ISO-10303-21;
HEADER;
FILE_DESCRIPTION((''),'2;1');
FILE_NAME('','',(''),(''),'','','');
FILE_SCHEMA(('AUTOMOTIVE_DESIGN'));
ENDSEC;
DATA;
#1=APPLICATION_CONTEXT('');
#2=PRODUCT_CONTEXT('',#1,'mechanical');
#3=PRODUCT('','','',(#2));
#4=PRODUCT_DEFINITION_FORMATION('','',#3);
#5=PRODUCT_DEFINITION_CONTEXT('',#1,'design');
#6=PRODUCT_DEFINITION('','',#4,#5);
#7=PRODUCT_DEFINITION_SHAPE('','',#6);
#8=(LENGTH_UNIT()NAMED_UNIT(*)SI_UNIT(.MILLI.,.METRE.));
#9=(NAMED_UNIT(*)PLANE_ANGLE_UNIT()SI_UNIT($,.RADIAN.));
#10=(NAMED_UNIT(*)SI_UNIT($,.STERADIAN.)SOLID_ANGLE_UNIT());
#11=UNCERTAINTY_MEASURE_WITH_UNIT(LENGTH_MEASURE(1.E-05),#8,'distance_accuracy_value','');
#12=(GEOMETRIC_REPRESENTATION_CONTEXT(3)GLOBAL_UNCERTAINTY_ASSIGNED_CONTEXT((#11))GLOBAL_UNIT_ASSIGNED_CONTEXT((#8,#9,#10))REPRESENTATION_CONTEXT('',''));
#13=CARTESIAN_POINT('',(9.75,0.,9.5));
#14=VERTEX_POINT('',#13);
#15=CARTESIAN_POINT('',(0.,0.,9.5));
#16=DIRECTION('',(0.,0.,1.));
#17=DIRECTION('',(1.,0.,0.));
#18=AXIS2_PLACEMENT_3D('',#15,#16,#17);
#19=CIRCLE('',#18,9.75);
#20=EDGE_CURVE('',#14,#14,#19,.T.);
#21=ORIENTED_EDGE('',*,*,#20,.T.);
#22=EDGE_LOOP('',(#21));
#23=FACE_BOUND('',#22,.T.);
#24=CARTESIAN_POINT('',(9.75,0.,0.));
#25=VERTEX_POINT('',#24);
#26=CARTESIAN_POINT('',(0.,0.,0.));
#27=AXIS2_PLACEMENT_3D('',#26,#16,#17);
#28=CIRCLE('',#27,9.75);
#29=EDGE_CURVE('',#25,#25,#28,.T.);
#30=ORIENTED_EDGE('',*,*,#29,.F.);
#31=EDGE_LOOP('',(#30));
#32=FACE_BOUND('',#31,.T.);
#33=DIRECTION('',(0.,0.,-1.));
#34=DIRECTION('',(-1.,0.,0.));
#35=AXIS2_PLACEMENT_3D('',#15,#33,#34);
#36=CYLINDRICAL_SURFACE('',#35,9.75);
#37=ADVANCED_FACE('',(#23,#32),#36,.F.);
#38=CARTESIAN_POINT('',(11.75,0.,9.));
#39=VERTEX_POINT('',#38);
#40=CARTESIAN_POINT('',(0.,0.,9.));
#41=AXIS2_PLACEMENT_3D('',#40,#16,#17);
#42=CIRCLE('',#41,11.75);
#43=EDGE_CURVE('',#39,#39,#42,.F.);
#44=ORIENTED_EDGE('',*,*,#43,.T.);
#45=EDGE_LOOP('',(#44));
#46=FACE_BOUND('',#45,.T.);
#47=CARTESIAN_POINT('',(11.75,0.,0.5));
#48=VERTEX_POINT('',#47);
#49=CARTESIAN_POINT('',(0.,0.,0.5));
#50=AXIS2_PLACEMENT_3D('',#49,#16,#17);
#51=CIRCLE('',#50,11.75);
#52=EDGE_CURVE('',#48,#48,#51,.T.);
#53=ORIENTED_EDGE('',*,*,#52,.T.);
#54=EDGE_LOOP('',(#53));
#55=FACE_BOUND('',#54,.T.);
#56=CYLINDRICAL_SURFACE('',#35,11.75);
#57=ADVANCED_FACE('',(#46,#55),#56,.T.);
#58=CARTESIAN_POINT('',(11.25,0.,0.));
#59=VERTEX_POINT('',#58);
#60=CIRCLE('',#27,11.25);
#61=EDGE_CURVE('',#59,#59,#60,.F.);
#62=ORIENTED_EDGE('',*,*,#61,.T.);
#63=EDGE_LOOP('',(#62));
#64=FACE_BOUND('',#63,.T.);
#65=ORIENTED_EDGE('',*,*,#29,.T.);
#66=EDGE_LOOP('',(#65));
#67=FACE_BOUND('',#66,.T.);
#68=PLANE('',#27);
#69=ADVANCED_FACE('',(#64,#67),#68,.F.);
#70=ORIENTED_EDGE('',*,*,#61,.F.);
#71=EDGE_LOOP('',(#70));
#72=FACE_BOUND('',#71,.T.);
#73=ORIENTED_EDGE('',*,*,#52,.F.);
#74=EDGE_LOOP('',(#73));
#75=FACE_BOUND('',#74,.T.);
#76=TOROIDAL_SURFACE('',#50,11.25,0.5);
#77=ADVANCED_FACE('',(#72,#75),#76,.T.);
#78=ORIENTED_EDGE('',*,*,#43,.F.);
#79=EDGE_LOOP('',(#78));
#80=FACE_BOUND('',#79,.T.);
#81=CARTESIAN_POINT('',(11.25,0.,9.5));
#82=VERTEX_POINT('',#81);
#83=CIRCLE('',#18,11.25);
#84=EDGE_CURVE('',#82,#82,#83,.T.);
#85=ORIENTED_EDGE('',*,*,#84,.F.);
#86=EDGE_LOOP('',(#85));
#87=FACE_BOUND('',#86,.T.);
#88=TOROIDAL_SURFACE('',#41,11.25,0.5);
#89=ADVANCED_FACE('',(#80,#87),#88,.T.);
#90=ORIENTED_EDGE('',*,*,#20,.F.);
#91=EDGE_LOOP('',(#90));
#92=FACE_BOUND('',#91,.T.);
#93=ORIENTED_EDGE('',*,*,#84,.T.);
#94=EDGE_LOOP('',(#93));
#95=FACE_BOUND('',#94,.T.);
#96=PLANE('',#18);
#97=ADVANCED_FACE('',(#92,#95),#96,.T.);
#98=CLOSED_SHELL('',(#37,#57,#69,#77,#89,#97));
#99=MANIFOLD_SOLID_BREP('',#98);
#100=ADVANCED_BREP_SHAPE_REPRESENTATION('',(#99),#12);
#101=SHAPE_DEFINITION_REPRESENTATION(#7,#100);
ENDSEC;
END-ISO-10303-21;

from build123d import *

# Parameters (mm, degrees)
SKETCH_1_R      = 11.75
SKETCH_1_R_2    = 9.75
EXTRUDE_1_DEPTH = 9.5
FILLET_1_R      = 0.5
FILLET_2_R      = 0.5


with BuildPart() as part:
    # 스케치1 → 돌출1 (new body)
    with BuildSketch(Plane.XY):
        Circle(SKETCH_1_R)
        Circle(SKETCH_1_R_2, mode=Mode.SUBTRACT)
    extrude(amount=EXTRUDE_1_DEPTH)

    # 필렛1
    fillet_1_edges = [part.edges().sort_by_distance(p)[0] for p in [
        (-11.75, 0, 9.5),
    ]]
    fillet(fillet_1_edges, radius=FILLET_1_R)

    # 필렛2
    fillet_2_edges = [part.edges().sort_by_distance(p)[0] for p in [
        (-11.75, 0, 0),
    ]]
    fillet(fillet_2_edges, radius=FILLET_2_R)


solid = part.part
